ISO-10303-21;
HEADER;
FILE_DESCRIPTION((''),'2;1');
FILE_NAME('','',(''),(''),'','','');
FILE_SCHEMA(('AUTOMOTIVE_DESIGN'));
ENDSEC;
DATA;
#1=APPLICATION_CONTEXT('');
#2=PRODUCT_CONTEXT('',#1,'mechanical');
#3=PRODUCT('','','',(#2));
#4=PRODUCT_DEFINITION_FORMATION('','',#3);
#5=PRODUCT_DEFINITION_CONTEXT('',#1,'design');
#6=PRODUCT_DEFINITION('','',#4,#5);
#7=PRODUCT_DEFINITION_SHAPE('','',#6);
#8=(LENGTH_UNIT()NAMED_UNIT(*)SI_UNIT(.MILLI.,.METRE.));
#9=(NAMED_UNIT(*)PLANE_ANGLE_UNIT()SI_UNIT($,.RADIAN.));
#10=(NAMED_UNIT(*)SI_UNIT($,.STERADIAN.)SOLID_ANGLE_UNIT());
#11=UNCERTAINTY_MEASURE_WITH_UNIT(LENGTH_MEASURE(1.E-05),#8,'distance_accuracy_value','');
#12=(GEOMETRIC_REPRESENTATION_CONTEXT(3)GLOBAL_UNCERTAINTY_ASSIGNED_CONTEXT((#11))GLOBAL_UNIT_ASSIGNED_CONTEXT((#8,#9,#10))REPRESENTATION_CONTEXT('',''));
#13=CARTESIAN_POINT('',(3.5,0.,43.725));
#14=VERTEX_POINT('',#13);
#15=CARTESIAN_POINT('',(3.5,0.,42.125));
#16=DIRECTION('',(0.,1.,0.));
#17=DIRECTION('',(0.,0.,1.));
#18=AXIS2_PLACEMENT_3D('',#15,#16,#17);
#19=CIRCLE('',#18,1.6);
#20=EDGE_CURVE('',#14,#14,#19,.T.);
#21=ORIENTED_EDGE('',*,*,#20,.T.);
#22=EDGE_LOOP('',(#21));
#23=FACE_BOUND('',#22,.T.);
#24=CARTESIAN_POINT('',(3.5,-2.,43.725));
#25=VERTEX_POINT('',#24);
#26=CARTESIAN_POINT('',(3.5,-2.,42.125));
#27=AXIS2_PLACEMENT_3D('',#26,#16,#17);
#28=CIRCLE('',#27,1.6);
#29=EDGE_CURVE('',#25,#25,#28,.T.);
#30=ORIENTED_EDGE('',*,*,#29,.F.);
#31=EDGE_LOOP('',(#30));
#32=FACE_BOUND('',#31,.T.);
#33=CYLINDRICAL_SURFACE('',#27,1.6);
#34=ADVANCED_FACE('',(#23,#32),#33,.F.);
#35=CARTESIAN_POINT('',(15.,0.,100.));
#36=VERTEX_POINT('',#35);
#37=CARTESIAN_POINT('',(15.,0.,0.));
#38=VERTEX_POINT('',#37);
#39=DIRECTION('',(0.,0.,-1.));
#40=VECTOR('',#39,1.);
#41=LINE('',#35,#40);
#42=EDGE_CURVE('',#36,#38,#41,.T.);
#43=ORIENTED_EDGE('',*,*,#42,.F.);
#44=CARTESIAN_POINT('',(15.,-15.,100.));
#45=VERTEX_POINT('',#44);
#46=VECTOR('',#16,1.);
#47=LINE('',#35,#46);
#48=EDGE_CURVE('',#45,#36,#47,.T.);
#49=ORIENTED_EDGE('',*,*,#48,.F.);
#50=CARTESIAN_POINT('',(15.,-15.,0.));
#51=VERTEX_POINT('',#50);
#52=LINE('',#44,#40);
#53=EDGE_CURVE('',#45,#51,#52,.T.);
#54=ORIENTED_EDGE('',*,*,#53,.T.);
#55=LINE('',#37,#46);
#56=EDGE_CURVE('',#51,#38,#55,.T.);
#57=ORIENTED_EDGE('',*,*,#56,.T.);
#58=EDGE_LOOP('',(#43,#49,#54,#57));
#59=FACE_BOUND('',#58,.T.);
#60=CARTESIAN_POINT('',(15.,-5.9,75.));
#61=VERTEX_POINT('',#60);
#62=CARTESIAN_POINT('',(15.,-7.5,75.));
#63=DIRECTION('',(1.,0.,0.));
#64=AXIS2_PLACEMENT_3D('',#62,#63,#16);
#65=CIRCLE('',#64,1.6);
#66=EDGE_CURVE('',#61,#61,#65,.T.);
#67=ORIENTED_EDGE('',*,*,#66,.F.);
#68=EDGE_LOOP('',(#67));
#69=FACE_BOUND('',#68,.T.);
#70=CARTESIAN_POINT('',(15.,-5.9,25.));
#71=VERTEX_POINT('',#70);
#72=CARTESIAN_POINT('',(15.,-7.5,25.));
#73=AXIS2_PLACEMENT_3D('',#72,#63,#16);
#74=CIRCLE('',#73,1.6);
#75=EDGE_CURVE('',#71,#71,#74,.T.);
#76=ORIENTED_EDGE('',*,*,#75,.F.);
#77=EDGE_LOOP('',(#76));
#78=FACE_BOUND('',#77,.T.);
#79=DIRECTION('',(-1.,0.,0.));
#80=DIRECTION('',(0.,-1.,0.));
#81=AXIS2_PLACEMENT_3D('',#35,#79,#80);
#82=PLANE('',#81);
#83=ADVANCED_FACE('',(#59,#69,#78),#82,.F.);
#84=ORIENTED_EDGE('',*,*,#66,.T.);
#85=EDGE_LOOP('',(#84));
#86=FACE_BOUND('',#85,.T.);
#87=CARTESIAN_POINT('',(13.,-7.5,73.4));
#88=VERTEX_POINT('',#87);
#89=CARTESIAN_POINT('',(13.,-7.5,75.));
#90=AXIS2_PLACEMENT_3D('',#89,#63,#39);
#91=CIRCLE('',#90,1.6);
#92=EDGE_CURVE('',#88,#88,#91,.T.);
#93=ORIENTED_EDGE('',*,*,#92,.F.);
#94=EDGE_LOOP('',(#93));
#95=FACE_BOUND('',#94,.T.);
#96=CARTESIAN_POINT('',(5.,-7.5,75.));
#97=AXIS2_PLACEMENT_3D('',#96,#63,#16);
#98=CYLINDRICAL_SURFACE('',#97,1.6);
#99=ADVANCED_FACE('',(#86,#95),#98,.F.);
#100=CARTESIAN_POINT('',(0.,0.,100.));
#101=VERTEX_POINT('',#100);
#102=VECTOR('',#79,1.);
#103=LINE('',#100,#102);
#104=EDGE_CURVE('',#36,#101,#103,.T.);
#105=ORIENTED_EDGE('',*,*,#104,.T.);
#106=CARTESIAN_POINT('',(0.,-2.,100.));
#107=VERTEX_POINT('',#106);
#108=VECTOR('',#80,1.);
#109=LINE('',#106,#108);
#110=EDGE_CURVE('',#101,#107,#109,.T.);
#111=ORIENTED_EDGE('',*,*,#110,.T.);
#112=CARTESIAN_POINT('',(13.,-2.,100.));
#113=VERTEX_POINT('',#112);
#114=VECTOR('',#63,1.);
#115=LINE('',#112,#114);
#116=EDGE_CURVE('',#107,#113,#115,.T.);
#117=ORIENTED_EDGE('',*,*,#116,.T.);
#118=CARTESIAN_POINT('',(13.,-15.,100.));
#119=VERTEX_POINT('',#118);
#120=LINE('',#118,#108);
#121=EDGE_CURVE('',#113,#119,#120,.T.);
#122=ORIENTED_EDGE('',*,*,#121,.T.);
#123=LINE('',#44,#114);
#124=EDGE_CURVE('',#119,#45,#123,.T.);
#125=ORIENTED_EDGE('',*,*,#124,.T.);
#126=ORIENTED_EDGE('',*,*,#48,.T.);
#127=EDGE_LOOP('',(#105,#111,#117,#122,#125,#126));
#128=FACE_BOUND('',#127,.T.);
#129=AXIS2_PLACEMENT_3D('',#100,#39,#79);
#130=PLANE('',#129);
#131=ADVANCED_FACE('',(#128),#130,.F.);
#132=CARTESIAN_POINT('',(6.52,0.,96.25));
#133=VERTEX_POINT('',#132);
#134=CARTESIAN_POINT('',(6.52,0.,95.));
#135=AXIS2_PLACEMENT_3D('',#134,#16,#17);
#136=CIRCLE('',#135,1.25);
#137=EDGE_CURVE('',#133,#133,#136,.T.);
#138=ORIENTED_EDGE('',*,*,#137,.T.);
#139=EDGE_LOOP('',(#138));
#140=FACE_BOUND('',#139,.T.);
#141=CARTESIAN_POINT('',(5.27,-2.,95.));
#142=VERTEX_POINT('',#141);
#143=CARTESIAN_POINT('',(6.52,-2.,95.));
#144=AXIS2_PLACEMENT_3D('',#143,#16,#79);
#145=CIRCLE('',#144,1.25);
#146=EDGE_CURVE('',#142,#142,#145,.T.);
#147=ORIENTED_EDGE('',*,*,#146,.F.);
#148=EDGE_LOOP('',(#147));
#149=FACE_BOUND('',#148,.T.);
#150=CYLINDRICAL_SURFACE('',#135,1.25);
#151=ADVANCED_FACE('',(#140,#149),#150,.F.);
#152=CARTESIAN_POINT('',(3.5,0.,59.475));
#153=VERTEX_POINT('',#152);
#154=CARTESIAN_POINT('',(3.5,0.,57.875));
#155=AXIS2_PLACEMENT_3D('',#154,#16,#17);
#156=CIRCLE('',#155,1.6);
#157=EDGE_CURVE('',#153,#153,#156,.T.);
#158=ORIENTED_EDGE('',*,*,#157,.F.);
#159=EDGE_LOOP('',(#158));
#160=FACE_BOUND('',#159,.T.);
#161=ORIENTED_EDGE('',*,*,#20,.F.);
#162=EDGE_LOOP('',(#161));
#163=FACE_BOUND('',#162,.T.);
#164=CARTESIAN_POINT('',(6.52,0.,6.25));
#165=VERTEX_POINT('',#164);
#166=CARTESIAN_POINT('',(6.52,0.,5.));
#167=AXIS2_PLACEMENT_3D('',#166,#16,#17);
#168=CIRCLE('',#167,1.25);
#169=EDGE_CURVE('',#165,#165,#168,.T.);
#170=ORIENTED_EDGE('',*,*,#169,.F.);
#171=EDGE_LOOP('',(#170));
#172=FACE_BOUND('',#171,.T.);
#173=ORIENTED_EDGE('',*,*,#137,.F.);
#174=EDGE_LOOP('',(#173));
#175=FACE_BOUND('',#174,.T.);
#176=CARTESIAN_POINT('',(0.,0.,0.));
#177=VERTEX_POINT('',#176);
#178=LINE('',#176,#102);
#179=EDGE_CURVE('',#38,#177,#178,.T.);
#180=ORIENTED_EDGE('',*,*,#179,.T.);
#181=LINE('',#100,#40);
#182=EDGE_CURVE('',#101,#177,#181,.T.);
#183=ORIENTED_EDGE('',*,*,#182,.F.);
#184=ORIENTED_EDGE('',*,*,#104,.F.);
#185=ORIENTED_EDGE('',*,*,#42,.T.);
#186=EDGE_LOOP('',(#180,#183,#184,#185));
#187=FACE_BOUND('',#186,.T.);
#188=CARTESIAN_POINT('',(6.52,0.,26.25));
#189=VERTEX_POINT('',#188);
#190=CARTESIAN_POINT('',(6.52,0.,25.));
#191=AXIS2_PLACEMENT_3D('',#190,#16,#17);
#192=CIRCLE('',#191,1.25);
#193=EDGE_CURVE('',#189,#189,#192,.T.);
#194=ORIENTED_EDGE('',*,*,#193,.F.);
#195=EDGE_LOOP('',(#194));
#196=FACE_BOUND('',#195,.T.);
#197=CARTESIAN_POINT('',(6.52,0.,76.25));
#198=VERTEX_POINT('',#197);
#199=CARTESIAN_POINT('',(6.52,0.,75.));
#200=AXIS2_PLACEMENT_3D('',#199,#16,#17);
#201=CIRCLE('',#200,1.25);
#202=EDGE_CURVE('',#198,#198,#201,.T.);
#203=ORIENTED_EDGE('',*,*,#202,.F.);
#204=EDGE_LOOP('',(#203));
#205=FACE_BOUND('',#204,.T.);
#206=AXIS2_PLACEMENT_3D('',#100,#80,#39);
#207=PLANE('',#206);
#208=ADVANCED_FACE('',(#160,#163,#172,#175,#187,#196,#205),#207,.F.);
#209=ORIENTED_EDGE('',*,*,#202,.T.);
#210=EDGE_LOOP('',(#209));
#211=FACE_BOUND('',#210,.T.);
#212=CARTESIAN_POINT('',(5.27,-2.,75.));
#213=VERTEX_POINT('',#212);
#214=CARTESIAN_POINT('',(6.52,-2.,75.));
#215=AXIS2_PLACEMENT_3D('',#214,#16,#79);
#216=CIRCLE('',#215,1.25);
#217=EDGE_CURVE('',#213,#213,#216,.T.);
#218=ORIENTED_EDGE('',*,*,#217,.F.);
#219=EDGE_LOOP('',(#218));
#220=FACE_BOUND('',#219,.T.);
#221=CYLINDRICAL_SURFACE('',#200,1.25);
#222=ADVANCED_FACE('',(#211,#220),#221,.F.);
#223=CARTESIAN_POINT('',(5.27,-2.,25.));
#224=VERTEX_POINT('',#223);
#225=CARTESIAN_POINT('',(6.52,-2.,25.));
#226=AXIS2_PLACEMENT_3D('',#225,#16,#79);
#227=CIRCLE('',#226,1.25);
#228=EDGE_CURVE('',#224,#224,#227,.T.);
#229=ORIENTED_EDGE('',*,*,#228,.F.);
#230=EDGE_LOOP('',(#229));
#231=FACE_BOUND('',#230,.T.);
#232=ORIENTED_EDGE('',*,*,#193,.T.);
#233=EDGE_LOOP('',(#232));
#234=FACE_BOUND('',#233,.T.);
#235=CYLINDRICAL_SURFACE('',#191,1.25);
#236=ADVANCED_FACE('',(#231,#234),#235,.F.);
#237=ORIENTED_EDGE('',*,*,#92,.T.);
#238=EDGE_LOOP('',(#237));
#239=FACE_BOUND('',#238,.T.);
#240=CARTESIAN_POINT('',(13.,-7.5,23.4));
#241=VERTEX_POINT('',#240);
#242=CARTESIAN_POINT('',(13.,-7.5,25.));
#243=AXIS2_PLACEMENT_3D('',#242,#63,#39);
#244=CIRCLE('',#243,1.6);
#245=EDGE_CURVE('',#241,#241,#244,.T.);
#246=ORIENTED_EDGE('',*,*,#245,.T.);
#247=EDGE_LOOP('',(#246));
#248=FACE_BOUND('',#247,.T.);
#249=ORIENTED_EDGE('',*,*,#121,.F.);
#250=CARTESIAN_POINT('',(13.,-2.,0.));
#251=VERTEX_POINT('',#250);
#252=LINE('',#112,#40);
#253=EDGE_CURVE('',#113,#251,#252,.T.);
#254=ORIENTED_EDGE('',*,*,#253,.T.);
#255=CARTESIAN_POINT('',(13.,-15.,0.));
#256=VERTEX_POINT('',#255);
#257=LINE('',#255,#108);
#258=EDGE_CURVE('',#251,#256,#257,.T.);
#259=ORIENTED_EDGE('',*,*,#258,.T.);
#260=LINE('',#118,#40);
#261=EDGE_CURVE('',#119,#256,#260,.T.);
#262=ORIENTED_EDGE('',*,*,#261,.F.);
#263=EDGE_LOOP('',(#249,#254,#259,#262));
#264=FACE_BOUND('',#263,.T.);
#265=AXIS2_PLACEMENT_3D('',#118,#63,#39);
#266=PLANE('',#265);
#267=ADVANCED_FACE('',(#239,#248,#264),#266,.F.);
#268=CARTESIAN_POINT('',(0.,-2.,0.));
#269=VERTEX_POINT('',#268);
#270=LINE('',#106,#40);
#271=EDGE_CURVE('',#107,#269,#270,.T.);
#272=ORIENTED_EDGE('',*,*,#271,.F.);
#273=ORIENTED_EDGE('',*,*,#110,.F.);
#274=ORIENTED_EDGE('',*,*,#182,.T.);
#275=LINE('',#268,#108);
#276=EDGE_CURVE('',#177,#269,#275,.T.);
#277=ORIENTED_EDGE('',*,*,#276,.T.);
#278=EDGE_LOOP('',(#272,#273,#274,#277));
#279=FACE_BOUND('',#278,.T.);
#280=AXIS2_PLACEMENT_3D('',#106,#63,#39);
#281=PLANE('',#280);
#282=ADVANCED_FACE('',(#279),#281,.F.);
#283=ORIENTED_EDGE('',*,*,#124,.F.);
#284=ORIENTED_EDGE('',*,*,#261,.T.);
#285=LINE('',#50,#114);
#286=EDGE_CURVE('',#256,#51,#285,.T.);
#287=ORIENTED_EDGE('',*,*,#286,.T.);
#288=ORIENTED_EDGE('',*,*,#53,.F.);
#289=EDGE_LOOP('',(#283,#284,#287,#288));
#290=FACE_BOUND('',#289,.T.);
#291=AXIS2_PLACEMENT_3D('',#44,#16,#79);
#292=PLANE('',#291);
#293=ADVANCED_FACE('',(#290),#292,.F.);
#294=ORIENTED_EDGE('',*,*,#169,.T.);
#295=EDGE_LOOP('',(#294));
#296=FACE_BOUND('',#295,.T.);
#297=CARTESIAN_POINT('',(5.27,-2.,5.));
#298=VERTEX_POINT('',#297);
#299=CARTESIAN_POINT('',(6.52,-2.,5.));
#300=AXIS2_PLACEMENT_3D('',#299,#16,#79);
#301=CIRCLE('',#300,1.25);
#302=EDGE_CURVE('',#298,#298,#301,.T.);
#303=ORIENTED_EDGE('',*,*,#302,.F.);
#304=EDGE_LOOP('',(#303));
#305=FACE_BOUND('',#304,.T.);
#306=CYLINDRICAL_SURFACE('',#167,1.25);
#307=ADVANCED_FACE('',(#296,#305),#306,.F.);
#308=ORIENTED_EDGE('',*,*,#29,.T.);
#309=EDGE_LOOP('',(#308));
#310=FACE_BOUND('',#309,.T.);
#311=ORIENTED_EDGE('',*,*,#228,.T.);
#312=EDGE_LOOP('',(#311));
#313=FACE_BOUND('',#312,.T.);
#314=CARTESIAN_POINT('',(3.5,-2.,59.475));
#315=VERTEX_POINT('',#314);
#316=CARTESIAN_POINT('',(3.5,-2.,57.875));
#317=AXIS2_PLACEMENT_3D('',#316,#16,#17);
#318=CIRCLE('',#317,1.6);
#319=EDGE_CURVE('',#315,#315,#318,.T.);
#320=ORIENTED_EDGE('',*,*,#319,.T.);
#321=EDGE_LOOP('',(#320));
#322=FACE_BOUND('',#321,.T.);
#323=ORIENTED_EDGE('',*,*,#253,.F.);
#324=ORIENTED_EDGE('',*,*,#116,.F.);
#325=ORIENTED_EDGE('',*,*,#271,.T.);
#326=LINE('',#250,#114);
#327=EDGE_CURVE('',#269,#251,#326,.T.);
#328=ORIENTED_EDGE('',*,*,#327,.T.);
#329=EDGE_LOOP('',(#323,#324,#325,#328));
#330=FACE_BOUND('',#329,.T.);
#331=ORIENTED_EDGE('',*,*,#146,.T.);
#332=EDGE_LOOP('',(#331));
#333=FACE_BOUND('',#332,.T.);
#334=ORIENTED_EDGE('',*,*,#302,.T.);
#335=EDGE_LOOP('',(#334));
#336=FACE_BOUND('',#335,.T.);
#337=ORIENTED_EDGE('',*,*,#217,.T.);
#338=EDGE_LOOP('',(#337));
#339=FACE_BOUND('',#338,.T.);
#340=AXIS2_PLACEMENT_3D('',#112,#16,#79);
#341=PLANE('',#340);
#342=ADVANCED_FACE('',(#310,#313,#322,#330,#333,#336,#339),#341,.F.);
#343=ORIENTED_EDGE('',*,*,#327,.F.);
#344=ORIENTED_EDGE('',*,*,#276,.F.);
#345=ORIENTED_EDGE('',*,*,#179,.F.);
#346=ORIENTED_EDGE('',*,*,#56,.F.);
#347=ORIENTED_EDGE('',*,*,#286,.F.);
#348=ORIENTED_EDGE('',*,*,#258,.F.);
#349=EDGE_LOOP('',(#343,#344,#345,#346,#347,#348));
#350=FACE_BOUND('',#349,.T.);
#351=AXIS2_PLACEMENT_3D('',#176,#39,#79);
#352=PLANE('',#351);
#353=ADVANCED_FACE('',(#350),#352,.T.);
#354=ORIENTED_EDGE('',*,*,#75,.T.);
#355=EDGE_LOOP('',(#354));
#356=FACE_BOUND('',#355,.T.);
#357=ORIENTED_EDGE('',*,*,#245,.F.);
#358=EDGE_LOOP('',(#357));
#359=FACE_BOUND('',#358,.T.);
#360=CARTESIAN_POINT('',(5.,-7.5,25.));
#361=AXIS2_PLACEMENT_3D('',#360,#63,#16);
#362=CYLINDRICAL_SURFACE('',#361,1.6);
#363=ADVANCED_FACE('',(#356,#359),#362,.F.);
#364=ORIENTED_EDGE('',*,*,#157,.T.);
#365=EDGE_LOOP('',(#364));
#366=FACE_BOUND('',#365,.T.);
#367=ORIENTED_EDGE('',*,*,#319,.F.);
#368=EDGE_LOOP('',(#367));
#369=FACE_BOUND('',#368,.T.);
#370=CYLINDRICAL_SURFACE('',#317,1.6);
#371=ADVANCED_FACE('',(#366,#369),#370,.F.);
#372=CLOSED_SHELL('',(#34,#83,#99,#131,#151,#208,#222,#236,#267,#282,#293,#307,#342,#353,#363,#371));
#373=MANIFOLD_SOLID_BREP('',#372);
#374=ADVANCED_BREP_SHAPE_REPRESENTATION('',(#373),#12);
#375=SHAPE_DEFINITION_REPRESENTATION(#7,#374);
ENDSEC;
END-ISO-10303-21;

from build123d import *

# Parameters (mm, degrees)
EXTRUDE_1_DEPTH     = 100
SKETCH_4_R          = 1.6
CUT_EXTRUDE_3_DEPTH = 2
M3X0_5_1_D          = 2.5
M3X0_5_1_DEPTH      = 8.5
M3X0_5_1_TIP        = 0.751075774
SKETCH_2_R          = 1.6
CUT_EXTRUDE_4_DEPTH = 10


with BuildPart() as part:
    # ｽｹｯﾁ1 → ﾎﾞｽ - 押し出し1 (new body)
    with BuildSketch(Plane.XY):
        Polygon((0, 0), (15, 0), (15, -15), (13, -15), (13, -2), (0, -2), align=None)
    extrude(amount=EXTRUDE_1_DEPTH)

    # ｽｹｯﾁ4 → ｶｯﾄ - 押し出し3 (cut)
    with BuildSketch(Plane(origin=(0, 0, 0), x_dir=(1, 0, 0), z_dir=(0, 1, 0))):
        with Locations((3.5, -57.875)):
            Circle(SKETCH_4_R)
        with Locations((3.5, -42.125)):
            Circle(SKETCH_4_R)
    extrude(amount=-CUT_EXTRUDE_3_DEPTH, mode=Mode.SUBTRACT)

    # M3x0.5 ねじ穴1
    with Locations(Plane(origin=(6.52, 0, 75), x_dir=(0, 0, 1), z_dir=(0, 1, 0))):
        with Locations((0, 0), (-50, 0), (20, 0), (-70, 0)):
            Hole(M3X0_5_1_D / 2, depth=M3X0_5_1_DEPTH)
            with Locations((0, 0, -(M3X0_5_1_DEPTH + M3X0_5_1_TIP / 2))):  # 118° drill point
                Cone(0, M3X0_5_1_D / 2, M3X0_5_1_TIP, mode=Mode.SUBTRACT)

    # ｽｹｯﾁ2 → ｶｯﾄ - 押し出し4 (cut)
    with BuildSketch(Plane(origin=(15, 0, 0), x_dir=(0, 0, -1), z_dir=(1, 0, 0))):
        with Locations((-75, -7.5)):
            Circle(SKETCH_2_R)
        with Locations((-25, -7.5)):
            Circle(SKETCH_2_R)
    extrude(amount=-CUT_EXTRUDE_4_DEPTH, mode=Mode.SUBTRACT)


solid = part.part
